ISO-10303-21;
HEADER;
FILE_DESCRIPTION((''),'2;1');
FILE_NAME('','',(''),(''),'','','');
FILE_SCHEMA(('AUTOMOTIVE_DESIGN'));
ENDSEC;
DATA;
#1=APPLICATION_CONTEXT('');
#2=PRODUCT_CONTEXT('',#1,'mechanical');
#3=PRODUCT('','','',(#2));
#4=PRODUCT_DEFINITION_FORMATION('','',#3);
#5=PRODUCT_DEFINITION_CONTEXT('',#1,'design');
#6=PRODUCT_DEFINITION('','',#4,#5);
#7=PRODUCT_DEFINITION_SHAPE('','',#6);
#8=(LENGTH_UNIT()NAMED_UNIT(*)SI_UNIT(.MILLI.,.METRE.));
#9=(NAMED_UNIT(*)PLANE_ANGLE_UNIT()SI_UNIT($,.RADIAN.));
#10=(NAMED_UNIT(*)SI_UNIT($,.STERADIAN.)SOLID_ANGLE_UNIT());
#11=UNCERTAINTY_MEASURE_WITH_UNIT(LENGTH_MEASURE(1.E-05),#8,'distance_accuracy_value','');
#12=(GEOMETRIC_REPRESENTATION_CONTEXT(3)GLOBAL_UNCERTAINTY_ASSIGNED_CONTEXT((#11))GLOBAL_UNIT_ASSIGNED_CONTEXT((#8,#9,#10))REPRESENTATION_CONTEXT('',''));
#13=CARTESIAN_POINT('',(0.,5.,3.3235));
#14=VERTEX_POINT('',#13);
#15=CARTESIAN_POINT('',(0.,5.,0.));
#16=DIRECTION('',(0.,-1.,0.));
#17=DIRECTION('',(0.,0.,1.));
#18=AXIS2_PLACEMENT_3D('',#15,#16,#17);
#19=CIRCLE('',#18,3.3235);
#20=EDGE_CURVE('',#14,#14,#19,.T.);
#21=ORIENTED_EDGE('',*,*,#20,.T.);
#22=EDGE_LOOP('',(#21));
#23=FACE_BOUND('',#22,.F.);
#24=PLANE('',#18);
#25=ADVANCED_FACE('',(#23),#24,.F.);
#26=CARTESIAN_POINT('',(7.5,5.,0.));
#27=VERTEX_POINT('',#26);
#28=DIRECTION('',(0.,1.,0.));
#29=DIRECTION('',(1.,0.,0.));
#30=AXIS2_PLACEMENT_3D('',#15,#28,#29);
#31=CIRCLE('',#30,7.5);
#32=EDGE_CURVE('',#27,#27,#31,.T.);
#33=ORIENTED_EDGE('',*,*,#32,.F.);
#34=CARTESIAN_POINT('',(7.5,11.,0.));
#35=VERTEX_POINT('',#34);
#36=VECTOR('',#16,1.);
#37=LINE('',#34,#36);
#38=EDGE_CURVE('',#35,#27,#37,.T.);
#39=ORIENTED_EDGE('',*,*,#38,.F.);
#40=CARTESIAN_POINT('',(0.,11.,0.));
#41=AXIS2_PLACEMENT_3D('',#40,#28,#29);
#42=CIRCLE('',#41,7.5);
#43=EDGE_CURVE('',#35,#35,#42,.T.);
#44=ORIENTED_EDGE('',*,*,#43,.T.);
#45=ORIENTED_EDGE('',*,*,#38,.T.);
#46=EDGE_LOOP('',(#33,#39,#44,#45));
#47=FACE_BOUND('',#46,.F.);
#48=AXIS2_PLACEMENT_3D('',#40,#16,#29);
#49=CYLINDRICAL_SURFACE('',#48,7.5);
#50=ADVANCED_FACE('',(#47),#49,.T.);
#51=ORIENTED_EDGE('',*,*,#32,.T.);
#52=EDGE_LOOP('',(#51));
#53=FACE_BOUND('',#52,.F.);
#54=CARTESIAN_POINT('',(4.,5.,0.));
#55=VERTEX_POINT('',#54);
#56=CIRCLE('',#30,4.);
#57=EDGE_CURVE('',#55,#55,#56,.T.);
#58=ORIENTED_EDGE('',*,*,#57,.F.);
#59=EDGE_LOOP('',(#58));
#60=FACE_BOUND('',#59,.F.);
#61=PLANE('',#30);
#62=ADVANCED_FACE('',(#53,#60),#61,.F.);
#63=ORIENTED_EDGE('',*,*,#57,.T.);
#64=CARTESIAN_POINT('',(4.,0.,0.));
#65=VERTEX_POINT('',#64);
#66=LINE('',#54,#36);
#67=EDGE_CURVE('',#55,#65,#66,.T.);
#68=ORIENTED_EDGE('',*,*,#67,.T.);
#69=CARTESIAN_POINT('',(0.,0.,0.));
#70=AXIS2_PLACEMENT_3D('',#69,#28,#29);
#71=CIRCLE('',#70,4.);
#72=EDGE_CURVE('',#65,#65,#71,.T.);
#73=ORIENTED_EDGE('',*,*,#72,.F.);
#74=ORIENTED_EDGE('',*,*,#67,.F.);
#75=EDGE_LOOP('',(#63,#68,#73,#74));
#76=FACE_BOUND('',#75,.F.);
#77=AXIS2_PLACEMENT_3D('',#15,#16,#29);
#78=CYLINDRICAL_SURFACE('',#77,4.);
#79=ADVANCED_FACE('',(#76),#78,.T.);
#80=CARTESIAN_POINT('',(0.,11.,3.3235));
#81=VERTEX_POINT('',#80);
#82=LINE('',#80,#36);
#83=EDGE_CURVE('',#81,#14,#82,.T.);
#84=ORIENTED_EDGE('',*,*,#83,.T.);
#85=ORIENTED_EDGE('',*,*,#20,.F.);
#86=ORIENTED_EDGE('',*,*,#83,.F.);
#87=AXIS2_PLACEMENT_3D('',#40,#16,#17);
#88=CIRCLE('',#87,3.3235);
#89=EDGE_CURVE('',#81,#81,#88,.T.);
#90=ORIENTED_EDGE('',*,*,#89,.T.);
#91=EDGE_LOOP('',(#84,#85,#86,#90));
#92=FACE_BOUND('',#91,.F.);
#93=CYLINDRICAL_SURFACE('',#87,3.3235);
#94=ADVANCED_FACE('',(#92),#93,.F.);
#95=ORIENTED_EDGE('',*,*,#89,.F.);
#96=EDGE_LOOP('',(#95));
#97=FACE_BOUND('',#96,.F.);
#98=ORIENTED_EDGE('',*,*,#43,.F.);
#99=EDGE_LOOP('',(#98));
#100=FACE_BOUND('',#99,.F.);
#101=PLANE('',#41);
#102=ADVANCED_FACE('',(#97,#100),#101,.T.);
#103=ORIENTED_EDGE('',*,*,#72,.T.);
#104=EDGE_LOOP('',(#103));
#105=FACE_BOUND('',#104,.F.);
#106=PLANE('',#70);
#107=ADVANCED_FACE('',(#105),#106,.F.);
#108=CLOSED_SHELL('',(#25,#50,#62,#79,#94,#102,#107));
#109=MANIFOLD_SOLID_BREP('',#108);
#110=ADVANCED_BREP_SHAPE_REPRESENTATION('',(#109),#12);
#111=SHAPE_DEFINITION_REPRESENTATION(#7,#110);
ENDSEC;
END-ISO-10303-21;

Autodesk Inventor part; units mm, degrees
ref_plane "YZ Plane" through (0, 0, 0) normal (1, 0, 0) x (0, 1, 0)
ref_plane "XZ Plane" through (0, 0, 0) normal (0, 1, 0) x (-1, 0, 0)
ref_plane "XY Plane" through (0, 0, 0) normal (0, 0, 1) x (1, 0, 0)
sketch "Sketch1" plane through (0, 0, 0) normal (0, 0, 1) x (1, 0, 0)
  line L0 (0, 0) -> (0, 11)
  line L1 (0, 11) -> (7.5, 11)
  line L2 (7.5, 11) -> (7.5, 5)
  line L3 (7.5, 5) -> (4, 5)
  line L4 (4, 5) -> (4, 0)
  line L5 (4, 0) -> (0, 0)
  dimension "d0" = 8
  dimension "d1" = 15
  dimension "d2" = 5
  dimension "d3" = 6
revolve "Revolution1" add sketch "Sketch1" angle 360 about axis through (0, 0, 0) along (0, 1, 0)
sketch "Sketch2" plane through (0, 11, 0) normal (0, 1, 0) x (1, 0, 0)
  circle A0 centre (0, 0) radius 7.5 projected
hole "Hole1" at (0, 11, 0) direction (0, -1, 0) diameter 6.647 depth 6 thread size "M8x1.25" class "6H" standard "ISO Metric profile"
properties part number "115"
